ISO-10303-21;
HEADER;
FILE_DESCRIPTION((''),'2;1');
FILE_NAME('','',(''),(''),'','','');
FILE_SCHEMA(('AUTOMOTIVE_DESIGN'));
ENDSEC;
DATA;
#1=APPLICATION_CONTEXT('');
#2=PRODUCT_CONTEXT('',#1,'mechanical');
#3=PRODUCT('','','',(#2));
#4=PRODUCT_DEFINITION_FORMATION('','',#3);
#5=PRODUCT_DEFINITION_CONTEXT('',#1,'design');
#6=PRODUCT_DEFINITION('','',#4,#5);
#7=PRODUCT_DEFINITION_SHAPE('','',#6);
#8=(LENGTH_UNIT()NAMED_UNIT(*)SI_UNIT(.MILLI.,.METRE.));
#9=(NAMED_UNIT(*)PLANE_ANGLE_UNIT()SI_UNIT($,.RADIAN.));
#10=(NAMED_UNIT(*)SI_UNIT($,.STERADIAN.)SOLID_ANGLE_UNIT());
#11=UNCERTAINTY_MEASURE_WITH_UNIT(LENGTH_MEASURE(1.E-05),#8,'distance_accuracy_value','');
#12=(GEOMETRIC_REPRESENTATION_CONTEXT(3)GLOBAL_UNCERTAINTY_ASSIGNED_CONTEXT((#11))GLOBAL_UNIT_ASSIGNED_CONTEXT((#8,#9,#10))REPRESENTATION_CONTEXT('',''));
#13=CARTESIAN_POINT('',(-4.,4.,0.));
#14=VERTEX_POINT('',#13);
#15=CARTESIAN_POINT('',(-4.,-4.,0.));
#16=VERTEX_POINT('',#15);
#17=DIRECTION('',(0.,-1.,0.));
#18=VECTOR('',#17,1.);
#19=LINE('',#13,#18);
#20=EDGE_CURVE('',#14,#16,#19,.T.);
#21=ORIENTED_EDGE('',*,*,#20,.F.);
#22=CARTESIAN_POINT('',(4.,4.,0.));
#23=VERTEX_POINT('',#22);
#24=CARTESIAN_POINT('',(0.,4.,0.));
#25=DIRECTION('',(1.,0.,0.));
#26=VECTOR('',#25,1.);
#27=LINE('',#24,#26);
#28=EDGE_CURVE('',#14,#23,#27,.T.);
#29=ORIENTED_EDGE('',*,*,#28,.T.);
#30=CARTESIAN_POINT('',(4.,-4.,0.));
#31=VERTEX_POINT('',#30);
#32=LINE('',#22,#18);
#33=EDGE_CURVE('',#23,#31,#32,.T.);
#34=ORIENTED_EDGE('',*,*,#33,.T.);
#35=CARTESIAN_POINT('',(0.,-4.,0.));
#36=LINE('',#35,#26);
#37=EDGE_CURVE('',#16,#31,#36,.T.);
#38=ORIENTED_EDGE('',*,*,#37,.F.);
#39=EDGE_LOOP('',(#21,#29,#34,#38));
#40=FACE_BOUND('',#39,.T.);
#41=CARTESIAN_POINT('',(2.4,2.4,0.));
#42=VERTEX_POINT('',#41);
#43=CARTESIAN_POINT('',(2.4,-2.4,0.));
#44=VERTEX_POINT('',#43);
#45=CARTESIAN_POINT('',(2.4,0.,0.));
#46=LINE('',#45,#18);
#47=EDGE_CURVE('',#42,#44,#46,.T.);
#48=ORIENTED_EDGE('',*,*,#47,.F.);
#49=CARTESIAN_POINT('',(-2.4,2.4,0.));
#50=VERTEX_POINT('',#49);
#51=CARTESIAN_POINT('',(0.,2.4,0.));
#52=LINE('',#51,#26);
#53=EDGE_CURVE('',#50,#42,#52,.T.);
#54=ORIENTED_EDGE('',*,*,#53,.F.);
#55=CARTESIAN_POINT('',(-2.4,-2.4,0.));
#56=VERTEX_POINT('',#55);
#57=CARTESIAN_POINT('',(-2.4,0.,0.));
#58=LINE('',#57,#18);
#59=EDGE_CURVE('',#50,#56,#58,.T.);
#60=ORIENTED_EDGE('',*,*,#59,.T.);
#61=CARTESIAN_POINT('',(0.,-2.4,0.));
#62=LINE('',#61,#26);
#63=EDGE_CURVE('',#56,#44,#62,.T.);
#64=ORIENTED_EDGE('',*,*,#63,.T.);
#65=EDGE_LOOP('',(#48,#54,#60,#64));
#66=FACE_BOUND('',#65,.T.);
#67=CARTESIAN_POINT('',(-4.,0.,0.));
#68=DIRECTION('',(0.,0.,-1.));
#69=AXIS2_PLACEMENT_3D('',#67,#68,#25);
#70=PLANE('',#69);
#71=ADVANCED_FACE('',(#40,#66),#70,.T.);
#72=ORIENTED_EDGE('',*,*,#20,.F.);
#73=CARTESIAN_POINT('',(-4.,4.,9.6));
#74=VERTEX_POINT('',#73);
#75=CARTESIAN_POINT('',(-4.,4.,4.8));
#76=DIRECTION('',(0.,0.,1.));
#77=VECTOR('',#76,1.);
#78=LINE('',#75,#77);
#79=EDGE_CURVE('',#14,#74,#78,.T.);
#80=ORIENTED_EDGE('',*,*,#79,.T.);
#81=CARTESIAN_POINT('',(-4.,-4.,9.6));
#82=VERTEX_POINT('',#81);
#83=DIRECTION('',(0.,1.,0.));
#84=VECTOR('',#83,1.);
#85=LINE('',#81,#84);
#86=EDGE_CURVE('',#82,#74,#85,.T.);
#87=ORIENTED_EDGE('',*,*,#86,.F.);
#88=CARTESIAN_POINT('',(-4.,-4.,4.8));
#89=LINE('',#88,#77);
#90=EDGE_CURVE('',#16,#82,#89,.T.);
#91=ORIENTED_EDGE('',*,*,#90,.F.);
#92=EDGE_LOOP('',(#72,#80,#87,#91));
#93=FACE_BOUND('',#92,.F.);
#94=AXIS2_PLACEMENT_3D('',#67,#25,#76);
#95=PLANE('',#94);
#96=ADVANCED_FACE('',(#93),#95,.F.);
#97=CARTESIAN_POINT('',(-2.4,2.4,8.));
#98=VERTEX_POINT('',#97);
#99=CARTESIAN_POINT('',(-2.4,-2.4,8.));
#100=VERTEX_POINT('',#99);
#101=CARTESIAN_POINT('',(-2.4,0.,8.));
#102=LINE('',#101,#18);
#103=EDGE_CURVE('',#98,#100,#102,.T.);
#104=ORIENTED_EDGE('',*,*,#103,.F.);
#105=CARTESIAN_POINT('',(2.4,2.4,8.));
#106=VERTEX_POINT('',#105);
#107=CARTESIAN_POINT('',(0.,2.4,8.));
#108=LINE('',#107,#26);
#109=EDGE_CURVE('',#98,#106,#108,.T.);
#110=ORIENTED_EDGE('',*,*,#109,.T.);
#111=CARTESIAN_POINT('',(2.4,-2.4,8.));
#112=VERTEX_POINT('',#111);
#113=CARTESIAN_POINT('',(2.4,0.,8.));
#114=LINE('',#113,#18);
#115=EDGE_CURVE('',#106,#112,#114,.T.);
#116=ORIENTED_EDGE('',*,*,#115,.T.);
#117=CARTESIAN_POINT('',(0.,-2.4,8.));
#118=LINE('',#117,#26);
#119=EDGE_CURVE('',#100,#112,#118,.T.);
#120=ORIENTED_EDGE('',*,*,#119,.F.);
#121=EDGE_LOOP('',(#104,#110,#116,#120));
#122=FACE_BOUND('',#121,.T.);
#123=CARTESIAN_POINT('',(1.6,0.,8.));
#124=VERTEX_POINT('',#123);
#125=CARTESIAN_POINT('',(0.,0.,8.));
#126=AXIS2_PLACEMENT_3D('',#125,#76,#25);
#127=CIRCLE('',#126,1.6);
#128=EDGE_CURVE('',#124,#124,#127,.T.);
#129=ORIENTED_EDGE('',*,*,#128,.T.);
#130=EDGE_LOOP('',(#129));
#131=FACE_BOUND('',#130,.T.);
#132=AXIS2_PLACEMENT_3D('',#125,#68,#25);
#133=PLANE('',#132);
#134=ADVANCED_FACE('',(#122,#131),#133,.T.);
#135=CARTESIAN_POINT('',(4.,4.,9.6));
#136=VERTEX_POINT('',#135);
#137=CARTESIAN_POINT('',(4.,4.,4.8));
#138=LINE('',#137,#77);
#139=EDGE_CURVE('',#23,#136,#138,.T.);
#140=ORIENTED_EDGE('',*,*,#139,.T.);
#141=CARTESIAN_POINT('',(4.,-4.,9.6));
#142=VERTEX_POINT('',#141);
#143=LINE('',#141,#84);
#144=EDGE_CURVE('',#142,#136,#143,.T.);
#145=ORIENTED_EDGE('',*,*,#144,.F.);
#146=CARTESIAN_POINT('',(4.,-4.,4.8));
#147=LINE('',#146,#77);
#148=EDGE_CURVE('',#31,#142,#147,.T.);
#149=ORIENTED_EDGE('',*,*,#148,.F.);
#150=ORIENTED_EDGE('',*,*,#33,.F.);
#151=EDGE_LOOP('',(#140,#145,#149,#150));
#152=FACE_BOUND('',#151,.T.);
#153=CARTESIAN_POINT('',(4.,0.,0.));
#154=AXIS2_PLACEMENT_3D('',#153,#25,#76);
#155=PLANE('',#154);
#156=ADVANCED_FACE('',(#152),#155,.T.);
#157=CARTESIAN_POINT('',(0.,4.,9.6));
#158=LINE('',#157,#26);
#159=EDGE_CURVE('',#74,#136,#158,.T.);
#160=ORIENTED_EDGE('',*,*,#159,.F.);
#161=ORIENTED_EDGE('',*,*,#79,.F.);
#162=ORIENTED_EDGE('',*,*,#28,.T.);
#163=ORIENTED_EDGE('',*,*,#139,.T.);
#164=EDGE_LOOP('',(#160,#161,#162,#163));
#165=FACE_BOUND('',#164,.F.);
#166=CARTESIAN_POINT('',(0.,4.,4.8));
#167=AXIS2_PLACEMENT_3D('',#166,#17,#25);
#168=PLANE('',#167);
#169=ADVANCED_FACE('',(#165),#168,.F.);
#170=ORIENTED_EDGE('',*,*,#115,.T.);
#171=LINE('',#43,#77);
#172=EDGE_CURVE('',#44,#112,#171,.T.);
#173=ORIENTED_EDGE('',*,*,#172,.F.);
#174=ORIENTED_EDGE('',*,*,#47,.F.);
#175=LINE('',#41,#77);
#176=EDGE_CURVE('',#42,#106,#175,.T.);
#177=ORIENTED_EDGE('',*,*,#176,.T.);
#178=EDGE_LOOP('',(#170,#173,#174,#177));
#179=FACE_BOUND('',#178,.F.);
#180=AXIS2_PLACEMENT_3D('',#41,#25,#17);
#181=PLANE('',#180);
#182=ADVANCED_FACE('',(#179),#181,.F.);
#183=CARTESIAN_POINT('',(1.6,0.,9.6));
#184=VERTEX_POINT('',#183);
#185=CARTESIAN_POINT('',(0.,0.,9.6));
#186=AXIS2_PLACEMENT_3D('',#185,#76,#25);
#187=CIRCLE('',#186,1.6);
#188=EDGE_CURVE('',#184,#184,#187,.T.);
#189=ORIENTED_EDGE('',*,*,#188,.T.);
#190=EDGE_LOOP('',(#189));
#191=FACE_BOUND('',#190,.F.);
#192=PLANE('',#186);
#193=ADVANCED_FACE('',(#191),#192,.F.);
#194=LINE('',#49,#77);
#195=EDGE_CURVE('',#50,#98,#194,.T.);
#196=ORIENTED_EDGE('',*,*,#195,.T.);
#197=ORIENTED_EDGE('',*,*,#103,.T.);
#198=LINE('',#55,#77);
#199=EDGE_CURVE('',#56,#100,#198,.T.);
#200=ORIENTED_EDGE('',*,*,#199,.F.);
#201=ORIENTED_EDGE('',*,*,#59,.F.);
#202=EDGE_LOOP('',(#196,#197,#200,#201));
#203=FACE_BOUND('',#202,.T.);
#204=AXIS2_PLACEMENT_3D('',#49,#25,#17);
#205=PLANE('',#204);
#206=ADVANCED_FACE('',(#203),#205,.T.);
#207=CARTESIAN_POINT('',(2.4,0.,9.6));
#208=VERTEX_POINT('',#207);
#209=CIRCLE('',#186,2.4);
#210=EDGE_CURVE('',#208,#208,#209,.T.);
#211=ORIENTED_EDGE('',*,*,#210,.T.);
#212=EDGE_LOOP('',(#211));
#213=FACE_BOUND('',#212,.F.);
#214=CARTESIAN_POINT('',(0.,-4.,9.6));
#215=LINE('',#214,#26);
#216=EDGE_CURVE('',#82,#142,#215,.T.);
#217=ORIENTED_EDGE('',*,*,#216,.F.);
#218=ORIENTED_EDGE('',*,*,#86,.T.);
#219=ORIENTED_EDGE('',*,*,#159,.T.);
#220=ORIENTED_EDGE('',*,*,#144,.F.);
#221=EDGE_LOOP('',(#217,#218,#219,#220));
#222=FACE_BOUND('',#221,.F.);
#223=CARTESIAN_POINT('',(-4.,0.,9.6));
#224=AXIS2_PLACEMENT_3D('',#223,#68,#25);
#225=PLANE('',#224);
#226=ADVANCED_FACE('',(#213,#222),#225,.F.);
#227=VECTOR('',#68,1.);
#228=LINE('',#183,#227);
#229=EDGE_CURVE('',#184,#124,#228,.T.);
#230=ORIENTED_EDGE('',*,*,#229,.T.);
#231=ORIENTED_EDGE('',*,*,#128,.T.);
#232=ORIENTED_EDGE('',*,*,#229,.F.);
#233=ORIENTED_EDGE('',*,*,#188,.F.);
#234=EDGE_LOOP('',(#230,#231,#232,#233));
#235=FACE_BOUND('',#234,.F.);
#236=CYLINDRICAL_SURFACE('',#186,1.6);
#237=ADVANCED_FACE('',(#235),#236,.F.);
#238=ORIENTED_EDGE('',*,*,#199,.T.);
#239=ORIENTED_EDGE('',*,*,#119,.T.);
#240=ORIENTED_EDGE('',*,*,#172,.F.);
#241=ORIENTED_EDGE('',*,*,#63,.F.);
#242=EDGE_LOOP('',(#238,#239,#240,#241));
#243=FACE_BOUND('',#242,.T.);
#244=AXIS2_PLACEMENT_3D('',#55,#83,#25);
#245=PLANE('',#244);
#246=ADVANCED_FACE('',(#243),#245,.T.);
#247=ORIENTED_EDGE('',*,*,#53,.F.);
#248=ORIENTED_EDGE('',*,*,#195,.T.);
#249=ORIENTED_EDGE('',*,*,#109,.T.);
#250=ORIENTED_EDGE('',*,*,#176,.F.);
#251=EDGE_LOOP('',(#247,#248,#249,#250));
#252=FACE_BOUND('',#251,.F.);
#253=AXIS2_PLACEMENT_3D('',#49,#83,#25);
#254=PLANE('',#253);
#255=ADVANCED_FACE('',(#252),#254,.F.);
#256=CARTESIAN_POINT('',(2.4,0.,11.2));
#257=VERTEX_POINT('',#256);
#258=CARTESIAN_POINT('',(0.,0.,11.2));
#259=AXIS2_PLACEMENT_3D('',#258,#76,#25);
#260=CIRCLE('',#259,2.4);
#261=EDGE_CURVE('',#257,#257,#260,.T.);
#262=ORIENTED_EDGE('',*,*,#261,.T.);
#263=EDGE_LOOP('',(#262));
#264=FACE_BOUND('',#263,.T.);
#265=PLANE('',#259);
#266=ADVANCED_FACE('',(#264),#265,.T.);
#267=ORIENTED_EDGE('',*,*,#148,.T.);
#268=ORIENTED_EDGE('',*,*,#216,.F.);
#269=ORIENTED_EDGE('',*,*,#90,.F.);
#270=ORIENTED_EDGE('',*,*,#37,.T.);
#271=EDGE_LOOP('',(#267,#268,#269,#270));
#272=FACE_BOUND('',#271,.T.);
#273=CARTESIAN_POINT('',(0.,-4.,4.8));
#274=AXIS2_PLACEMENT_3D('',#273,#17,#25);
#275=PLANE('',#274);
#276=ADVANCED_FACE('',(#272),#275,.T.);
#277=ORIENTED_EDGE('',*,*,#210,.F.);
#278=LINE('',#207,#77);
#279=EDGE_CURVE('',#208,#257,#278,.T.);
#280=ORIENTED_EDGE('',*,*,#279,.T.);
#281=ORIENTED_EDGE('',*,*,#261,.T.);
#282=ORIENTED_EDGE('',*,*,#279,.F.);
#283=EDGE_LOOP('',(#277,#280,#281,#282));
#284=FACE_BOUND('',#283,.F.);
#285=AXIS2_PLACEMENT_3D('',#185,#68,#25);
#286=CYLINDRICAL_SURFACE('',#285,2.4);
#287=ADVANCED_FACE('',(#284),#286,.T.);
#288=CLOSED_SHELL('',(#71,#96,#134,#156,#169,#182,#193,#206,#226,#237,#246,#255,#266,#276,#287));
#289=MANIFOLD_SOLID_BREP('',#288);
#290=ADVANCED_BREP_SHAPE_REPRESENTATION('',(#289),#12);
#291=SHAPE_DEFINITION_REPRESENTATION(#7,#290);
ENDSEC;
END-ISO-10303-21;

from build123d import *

# Parameters (mm, degrees)
F0_W     = 8
F0_H     = 9.6
F1_DEPTH = 4
F2_W     = 4.8
F2_H     = 4.8
F3_DEPTH = 8
F4_R     = 1.6
F5_DEPTH = 1.6
F6_R     = 2.4
F6_R_2   = 1.6
F7_DEPTH = 1.6


with BuildPart() as f1:
    # F0 (on Front) → F1 (new body, symmetric)
    with BuildSketch(Plane.XZ):
        with Locations((0, 4.8)):
            Rectangle(F0_W, F0_H)
    extrude(amount=F1_DEPTH, both=True)

    # F2 (on face) → F3 (cut)
    with BuildSketch(Plane(origin=(0, 0, 0), x_dir=(1, 0, 0), z_dir=(0, 0, -1))):
        Rectangle(F2_W, F2_H)
    extrude(amount=-F3_DEPTH, mode=Mode.SUBTRACT)

    # F4 (on face) → F5 (cut)
    with BuildSketch(Plane.XY.offset(9.6)):
        Circle(F4_R)
    extrude(amount=-F5_DEPTH, mode=Mode.SUBTRACT)

    # F6 (on face) → F7 (join)
    with BuildSketch(Plane.XY.offset(9.6)):
        Circle(F6_R)
        Circle(F6_R_2)
    extrude(amount=F7_DEPTH)


solid = f1.part
